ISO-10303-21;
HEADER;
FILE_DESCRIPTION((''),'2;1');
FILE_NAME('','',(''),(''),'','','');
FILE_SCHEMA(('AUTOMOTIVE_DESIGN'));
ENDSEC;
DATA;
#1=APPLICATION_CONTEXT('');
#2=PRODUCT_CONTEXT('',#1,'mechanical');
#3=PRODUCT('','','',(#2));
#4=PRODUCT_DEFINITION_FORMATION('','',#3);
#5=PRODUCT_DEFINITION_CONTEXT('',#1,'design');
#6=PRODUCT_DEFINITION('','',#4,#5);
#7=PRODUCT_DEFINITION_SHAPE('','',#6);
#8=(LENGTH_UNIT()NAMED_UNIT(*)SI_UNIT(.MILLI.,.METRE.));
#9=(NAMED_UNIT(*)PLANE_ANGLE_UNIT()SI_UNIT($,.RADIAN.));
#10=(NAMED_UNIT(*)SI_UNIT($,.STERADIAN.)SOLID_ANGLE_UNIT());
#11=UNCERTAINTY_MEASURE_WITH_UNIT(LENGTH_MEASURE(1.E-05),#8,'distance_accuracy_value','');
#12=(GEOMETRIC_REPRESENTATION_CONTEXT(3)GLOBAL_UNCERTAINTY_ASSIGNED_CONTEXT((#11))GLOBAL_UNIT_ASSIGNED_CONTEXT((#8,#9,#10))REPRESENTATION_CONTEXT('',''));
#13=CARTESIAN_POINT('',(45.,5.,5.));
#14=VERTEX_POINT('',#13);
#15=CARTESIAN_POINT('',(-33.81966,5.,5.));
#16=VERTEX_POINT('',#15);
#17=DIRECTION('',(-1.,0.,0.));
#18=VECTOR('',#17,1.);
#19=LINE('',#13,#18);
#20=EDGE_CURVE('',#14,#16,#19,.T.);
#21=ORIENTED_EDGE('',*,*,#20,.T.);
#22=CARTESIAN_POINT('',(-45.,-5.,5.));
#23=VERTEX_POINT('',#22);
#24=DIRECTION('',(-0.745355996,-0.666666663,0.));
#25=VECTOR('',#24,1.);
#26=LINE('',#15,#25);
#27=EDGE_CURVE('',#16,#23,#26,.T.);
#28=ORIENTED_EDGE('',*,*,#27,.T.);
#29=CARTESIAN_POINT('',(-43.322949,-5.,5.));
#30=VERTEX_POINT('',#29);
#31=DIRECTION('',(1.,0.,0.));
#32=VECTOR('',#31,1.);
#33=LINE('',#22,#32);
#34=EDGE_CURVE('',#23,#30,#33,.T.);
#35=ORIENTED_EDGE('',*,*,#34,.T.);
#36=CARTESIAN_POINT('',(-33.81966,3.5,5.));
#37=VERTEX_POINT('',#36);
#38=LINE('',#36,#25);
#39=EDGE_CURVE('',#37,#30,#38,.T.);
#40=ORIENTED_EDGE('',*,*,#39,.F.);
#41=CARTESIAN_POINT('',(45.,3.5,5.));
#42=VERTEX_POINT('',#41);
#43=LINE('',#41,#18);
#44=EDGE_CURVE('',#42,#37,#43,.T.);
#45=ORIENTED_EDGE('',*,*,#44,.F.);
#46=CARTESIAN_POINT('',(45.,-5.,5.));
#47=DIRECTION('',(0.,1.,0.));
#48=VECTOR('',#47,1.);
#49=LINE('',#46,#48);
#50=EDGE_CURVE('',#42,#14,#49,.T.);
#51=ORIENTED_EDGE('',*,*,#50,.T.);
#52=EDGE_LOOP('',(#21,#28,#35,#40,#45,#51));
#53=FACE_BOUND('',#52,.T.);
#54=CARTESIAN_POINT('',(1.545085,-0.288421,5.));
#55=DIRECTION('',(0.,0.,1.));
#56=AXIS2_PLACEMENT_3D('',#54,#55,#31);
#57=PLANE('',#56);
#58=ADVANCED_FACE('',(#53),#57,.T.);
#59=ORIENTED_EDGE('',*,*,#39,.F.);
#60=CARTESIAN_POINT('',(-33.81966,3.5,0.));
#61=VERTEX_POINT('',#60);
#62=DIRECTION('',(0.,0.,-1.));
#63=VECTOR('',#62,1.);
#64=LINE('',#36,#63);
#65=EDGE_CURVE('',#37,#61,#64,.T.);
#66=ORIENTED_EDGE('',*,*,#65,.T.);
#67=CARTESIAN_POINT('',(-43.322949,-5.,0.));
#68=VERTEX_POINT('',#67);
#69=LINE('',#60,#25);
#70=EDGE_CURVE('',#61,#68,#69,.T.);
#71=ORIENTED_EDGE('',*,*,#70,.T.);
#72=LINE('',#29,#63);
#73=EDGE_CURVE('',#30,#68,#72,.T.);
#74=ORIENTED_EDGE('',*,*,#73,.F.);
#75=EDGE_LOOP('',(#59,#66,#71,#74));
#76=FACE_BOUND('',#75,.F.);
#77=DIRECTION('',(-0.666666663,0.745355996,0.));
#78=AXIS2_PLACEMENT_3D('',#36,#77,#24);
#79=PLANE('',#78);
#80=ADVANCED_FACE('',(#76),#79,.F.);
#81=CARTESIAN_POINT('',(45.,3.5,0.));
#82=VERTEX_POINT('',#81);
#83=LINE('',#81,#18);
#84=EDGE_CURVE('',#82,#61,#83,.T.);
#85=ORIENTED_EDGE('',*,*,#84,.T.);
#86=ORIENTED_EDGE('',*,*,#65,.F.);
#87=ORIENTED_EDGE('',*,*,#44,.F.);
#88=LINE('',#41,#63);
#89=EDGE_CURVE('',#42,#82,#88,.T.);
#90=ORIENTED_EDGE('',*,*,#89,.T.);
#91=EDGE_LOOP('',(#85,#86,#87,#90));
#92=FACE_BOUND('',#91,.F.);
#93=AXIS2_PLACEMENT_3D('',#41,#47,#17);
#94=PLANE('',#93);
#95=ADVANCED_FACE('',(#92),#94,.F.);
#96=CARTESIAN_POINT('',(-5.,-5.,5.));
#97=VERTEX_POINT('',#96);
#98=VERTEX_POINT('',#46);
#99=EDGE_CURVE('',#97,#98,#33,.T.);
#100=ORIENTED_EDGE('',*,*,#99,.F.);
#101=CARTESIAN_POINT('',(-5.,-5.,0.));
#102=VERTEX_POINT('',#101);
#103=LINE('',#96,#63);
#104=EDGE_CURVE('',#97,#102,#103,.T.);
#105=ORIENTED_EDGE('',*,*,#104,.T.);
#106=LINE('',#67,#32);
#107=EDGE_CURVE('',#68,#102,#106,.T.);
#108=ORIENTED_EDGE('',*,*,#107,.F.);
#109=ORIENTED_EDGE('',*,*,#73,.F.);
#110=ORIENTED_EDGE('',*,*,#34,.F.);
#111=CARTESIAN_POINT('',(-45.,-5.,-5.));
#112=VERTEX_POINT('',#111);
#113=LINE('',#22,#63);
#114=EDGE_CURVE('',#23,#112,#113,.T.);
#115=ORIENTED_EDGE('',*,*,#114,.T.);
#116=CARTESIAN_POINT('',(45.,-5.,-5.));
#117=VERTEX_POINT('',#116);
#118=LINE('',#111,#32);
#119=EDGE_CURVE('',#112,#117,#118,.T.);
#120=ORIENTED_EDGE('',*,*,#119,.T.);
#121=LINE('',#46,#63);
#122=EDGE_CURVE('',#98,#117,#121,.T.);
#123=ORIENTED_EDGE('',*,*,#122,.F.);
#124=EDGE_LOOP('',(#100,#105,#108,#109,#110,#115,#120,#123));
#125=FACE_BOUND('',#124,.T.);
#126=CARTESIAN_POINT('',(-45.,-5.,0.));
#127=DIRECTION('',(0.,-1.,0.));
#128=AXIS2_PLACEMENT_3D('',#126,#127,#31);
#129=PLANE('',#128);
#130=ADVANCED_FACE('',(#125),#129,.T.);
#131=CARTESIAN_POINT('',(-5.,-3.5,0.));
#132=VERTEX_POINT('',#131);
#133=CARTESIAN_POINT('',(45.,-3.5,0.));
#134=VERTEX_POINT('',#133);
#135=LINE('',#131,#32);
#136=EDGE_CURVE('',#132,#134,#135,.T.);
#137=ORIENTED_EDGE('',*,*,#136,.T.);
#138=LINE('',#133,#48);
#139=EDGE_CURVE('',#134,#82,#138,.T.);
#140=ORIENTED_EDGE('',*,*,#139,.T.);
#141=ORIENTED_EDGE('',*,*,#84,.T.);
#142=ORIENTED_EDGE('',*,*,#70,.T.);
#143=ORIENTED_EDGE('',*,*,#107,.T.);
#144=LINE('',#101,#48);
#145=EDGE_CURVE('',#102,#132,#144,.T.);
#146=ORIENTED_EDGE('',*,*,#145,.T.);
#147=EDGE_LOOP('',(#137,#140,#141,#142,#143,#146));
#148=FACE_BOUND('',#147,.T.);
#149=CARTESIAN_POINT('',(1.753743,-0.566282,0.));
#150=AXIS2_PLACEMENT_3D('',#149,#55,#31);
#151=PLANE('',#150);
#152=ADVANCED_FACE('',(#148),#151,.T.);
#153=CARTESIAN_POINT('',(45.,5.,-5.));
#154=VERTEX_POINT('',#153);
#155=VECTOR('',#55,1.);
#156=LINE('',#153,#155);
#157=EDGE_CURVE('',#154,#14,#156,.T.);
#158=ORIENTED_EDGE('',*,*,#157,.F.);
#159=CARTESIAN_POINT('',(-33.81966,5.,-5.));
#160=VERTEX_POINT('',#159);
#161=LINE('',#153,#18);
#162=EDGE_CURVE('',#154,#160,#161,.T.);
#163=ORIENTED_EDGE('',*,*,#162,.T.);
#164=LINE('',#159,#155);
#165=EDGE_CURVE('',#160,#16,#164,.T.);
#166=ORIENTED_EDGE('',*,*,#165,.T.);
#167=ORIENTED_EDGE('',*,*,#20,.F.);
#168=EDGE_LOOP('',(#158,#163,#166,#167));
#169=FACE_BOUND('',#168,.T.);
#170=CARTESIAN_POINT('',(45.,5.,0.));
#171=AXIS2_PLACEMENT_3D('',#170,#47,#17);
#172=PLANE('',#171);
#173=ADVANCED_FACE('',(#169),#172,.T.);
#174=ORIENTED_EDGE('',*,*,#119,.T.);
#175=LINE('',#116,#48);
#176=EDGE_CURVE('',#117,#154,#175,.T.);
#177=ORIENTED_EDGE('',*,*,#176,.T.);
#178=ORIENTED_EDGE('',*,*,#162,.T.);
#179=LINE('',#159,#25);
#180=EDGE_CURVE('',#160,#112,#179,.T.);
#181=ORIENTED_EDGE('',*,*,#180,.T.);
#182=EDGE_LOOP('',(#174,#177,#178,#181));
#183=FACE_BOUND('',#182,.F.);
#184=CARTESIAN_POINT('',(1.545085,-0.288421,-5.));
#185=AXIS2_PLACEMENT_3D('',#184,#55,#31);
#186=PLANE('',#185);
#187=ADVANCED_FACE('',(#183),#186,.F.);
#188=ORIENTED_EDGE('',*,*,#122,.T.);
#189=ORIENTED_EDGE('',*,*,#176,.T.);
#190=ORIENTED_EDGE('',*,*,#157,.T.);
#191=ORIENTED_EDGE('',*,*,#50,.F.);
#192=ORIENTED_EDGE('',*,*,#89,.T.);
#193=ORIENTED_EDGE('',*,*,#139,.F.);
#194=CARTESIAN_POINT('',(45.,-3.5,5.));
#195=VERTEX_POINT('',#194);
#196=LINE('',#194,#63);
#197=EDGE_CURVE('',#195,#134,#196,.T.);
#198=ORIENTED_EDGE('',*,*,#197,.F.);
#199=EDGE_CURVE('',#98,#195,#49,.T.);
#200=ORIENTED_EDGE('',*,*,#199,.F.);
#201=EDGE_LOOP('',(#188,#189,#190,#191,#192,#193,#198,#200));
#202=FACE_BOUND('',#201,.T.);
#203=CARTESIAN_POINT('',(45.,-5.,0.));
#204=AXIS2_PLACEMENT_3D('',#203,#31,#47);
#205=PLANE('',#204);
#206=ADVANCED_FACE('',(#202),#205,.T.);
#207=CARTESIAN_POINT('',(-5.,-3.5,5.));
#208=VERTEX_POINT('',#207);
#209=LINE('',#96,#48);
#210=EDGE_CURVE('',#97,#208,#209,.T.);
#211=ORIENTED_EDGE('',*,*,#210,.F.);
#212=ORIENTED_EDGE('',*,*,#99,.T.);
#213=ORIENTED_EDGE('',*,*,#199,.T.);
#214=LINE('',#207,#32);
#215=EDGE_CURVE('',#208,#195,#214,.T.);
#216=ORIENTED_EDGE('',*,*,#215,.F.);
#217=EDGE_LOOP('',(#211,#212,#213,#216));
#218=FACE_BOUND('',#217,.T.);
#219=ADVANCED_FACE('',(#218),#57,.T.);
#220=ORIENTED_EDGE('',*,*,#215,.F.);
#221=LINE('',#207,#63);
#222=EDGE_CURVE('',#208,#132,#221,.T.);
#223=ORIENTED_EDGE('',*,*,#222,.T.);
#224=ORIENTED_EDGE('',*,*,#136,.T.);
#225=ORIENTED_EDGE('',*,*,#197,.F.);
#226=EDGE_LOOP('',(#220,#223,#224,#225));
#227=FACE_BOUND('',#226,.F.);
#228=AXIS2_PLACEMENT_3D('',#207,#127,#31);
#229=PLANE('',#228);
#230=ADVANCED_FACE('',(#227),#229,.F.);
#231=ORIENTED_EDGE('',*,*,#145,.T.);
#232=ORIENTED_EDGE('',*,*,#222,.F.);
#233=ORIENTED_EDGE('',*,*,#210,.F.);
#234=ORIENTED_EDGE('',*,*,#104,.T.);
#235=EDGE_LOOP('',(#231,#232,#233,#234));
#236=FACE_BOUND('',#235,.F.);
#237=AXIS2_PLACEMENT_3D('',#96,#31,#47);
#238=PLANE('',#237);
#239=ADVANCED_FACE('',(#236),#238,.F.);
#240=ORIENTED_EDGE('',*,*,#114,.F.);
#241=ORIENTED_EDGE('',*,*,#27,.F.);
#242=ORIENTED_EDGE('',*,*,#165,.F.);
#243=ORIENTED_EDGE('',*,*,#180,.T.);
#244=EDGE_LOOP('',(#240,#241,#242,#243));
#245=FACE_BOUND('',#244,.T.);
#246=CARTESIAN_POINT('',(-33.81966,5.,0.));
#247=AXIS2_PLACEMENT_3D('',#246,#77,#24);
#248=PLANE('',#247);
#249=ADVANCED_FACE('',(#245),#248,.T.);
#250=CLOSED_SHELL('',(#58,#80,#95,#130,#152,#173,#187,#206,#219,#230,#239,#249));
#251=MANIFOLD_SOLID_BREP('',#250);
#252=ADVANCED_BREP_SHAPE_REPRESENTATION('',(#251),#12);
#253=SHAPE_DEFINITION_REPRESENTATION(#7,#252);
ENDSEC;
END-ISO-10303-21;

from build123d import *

# Parameters (mm, degrees)
F1_DEPTH = 5
F3_DEPTH = 5


with BuildPart() as f1:
    # F0 (on Top) → F1 (new body, symmetric)
    with BuildSketch(Plane.XY):
        Polygon((45, -5), (45, 5), (-33.81966, 5), (-45, -5), align=None)
    extrude(amount=F1_DEPTH, both=True)

    # F2 (on face) → F3 (cut)
    with BuildSketch(Plane.XY.offset(5)):
        Polygon((-33.81966, 3.5), (-43.322949, -5), (-5, -5), (-5, -3.5), (45, -3.5), (45, 3.5), align=None)
    extrude(amount=-F3_DEPTH, mode=Mode.SUBTRACT)


solid = f1.part
